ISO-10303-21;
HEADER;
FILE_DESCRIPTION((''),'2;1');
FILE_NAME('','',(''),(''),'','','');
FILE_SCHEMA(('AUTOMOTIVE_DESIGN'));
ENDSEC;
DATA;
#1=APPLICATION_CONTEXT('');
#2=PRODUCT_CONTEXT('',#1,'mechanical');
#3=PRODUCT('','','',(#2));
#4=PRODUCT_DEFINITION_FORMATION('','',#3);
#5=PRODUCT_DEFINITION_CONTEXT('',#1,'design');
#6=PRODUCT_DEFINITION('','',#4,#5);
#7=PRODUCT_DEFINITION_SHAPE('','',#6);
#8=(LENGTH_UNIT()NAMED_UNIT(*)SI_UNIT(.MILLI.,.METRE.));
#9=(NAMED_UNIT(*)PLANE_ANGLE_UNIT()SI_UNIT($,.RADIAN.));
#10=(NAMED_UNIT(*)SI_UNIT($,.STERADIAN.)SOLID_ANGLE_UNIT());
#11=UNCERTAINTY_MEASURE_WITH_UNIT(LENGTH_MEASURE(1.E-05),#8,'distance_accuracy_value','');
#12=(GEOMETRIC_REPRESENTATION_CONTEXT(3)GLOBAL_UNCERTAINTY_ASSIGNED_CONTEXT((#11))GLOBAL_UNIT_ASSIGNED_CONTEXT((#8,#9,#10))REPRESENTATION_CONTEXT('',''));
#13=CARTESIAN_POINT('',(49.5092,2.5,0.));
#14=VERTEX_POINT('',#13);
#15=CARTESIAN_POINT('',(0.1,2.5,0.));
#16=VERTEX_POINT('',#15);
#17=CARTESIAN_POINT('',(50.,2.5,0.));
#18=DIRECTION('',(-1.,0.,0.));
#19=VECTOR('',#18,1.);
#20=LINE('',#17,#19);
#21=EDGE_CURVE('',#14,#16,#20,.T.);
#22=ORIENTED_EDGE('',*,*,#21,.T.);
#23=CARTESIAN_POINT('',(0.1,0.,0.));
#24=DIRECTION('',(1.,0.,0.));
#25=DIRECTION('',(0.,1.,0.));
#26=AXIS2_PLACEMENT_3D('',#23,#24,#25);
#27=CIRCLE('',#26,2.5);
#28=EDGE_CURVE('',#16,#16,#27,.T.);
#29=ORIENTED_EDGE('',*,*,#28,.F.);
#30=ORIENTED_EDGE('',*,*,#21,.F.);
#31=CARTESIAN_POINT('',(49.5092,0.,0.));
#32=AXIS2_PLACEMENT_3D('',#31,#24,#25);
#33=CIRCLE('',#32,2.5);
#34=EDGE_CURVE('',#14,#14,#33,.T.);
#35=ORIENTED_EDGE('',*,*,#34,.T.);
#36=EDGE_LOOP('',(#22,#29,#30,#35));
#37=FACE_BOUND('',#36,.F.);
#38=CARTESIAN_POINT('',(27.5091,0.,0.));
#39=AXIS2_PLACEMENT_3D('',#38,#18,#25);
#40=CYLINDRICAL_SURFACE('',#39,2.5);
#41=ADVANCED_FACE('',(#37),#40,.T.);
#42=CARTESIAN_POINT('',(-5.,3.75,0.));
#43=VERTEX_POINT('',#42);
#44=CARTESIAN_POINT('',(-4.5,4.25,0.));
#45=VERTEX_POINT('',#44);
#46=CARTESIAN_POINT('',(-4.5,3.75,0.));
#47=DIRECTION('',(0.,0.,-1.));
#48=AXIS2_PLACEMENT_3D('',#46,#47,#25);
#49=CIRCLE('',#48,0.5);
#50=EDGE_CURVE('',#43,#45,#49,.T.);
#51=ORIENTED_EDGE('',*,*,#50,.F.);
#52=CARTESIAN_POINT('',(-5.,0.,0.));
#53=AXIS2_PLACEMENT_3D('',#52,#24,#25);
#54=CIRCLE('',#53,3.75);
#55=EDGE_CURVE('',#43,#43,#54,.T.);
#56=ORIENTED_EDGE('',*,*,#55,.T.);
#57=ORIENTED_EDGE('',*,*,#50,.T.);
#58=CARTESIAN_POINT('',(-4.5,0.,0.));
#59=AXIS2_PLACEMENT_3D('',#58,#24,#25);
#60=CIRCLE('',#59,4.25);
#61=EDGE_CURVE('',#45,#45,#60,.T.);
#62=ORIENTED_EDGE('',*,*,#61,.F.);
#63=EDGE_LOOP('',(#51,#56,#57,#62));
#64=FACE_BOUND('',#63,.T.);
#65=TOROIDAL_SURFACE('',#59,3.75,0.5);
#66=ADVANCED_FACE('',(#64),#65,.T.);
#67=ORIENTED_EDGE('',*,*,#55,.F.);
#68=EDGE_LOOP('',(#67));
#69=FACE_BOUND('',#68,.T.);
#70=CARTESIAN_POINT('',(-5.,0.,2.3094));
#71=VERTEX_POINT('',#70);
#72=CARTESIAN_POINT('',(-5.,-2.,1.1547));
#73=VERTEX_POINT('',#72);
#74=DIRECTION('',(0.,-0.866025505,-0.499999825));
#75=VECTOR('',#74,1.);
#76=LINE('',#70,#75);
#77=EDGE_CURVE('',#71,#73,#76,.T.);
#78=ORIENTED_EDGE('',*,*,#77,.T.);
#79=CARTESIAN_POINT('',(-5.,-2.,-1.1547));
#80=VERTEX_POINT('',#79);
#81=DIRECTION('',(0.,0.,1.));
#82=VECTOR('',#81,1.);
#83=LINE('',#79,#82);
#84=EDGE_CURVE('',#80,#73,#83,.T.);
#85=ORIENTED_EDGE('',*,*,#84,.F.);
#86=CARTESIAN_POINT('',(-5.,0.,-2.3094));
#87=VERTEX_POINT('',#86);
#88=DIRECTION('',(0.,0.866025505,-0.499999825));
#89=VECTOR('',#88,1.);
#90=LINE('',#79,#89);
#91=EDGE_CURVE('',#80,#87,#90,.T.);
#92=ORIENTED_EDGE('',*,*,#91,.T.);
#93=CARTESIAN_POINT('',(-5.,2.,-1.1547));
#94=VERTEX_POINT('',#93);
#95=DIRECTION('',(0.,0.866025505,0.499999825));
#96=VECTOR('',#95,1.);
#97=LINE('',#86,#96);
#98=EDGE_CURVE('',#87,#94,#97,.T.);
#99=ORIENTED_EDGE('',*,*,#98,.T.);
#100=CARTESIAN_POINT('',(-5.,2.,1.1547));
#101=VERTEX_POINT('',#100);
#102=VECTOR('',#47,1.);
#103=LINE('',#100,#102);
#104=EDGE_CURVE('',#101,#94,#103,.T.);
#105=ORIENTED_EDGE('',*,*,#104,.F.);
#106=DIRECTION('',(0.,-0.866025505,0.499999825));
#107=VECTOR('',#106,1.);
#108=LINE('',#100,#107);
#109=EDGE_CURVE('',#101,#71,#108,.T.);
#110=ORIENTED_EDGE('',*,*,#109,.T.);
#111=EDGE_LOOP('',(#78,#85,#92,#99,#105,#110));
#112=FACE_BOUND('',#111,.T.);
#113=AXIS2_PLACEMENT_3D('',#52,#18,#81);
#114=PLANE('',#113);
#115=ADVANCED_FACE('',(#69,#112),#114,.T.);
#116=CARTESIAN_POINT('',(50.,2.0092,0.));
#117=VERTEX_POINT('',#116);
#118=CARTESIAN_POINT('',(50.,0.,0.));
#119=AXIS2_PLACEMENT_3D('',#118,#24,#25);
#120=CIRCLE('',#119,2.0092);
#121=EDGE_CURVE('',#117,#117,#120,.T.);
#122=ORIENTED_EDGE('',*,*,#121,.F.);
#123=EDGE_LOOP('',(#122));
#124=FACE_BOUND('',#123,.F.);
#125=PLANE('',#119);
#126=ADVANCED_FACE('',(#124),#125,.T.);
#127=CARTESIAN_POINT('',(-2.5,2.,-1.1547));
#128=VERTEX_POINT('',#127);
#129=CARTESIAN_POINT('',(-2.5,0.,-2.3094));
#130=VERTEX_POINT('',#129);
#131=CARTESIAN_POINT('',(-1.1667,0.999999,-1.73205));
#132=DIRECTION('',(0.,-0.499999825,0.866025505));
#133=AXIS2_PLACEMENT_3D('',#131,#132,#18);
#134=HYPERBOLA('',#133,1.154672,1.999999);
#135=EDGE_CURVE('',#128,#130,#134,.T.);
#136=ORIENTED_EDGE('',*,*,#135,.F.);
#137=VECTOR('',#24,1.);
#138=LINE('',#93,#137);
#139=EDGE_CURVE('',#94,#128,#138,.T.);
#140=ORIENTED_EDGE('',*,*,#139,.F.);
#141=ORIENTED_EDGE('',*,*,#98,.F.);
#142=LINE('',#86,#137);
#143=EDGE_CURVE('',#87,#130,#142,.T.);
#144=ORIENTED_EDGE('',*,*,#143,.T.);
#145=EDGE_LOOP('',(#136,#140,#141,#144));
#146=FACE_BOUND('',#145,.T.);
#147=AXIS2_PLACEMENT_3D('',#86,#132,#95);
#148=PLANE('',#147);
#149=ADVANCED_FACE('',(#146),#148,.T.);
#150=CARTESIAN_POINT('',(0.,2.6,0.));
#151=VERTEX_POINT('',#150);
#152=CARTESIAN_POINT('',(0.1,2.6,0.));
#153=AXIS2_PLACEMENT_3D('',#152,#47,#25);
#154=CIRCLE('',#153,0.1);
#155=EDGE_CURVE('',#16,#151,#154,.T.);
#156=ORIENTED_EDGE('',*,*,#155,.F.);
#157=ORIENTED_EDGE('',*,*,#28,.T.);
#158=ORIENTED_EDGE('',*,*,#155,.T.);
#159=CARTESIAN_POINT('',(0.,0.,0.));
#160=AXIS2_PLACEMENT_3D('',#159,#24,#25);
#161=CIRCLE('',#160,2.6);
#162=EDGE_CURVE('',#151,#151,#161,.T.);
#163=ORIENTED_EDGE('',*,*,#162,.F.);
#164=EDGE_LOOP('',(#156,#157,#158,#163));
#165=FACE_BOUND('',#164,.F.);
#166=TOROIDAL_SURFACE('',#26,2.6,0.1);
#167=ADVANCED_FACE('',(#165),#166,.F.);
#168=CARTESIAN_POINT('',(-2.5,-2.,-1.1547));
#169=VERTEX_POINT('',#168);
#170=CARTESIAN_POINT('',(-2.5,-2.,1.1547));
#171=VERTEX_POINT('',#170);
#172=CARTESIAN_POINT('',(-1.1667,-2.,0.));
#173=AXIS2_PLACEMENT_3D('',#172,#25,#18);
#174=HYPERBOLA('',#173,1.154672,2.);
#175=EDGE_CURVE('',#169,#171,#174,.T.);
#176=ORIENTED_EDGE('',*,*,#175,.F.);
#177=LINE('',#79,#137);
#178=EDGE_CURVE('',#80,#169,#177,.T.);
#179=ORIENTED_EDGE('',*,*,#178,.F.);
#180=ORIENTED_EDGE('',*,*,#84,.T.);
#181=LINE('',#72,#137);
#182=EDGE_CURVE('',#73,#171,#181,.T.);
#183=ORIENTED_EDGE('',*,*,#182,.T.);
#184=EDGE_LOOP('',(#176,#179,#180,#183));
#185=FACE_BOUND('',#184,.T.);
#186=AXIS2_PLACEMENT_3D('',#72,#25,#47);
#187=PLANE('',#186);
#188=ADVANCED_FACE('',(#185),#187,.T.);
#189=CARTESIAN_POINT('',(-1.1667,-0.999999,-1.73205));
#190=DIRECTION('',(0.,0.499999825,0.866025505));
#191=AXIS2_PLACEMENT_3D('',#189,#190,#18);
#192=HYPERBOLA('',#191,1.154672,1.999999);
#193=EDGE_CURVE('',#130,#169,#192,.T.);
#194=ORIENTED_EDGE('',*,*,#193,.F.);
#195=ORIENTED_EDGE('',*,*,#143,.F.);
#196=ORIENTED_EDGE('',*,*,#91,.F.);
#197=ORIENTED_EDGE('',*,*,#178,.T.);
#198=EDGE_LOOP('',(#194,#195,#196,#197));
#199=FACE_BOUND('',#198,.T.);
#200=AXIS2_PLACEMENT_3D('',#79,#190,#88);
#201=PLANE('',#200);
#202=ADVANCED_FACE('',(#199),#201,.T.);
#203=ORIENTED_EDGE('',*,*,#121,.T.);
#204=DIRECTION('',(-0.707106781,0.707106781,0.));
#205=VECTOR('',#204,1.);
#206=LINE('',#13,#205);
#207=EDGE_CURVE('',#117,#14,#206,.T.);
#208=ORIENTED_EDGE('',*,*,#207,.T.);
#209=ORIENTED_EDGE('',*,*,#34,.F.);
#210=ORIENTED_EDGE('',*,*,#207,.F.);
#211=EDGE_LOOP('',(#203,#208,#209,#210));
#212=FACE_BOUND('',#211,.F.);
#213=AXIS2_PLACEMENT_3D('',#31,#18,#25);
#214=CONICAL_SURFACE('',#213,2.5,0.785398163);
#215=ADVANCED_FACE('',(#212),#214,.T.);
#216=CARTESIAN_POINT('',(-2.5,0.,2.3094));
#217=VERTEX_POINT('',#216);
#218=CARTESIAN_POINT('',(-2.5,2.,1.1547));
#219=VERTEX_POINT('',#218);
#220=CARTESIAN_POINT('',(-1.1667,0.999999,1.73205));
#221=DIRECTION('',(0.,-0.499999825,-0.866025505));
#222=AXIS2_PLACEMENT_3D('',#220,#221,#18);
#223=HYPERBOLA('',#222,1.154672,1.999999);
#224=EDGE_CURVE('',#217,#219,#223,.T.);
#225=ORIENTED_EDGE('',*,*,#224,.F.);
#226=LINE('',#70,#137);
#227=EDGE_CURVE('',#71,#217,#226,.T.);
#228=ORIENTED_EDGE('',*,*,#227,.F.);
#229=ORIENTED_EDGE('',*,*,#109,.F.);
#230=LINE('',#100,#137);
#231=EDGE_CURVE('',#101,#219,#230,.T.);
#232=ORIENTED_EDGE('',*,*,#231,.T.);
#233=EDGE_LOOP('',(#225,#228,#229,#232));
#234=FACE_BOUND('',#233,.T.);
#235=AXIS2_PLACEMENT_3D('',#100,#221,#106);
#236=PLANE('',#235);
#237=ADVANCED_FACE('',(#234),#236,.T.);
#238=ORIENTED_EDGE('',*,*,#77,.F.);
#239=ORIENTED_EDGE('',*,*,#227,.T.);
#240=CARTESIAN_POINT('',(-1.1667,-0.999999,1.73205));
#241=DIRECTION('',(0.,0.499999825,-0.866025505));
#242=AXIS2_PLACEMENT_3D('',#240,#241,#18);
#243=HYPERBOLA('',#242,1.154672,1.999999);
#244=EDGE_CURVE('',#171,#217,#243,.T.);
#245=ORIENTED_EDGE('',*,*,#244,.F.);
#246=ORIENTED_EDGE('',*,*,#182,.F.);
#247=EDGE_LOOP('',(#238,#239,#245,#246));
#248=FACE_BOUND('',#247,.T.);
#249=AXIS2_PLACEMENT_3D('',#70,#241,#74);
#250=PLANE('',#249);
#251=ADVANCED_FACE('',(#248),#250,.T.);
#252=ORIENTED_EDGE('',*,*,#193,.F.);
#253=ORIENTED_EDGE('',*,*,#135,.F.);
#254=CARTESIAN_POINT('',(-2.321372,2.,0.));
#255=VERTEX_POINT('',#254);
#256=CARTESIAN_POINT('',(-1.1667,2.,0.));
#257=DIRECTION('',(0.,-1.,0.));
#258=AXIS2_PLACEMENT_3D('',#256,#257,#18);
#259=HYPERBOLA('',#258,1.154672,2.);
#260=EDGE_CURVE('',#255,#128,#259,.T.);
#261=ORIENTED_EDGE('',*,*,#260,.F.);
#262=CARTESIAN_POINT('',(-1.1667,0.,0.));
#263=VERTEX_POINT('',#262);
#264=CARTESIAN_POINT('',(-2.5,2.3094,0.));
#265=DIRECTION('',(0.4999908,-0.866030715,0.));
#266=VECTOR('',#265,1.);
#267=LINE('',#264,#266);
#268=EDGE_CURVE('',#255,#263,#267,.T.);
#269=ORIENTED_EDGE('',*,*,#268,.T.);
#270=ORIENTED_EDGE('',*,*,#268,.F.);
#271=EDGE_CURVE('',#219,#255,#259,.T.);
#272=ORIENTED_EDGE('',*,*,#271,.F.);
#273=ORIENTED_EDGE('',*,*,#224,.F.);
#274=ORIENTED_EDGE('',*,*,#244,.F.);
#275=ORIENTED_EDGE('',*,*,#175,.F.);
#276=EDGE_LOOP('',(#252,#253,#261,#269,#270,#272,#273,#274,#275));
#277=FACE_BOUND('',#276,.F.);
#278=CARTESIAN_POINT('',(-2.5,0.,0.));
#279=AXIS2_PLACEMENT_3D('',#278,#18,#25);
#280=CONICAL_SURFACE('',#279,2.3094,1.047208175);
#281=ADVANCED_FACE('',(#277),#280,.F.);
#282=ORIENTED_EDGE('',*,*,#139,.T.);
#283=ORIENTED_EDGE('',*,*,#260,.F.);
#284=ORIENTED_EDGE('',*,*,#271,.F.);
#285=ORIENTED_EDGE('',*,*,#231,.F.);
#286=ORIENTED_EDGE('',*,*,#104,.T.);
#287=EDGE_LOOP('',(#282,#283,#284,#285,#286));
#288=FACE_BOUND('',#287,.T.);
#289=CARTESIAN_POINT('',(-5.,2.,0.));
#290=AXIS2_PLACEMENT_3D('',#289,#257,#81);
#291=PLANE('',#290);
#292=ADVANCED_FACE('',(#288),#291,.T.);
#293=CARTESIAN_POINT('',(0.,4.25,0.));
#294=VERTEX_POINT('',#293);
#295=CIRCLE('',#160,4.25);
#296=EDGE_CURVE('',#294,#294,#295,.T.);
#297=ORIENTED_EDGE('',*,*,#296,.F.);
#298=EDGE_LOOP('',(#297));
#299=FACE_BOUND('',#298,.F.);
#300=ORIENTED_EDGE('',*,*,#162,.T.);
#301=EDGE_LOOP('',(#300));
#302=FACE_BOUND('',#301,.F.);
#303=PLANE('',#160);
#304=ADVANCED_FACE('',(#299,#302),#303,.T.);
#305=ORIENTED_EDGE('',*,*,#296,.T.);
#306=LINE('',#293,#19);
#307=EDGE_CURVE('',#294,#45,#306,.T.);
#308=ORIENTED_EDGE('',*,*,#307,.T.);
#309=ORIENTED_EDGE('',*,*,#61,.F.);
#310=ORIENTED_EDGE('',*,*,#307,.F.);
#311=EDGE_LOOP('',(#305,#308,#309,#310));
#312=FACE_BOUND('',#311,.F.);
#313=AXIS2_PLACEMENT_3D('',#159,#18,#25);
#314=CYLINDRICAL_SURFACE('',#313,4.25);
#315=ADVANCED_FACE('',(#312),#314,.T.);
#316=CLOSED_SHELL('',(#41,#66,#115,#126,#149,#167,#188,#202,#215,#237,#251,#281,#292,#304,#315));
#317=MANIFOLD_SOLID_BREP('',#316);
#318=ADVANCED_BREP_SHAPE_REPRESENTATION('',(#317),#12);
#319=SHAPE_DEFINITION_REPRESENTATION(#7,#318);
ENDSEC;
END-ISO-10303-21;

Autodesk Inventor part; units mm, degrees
ref_plane "YZ Plane" through (0, 0, 0) normal (1, 0, 0) x (0, 1, 0)
ref_plane "XZ Plane" through (0, 0, 0) normal (0, 1, 0) x (-1, 0, 0)
sketch "Szkic1" plane through (0, 0, 0) normal (0, 0, 1) x (1, 0, 0)
  line L0 (-1.1667, 0) -> (50, 0)
  line L1 (50, 0) -> (50, 2.5)
  line L2 (50, 2.5) -> (28, 2.5)
  line L3 (28, 2.5) -> (27.5091, 2.5)
  line L4 (27.5091, 2.5) -> (0, 2.5)
  line L5 (0, 2.5) -> (0, 4.25)
  line L6 (0, 4.25) -> (-5, 4.25)
  line L7 (-5, 4.25) -> (-5, 2.3094)
  line L8 (-5, 2.3094) -> (-2.5, 2.3094)
  line L9 (-2.5, 2.3094) -> (-1.1667, 0)
  line L10 (-16, 0) -> (61, 0) projected
  line L11 (0, -0.85) -> (0, 5.1) projected
  line L12 (28, 2.5) -> (0, 2.5) construction
  dimension "d1" = 22
  dimension "d2" = 0.4909
  dimension "d3" = 5
  dimension "d4" = 2.5
  dimension "d5" = 60
  dimension "d6" = 5
  dimension "d7" = 5
  dimension "d8" = 4.6188
  dimension "d9" = 8.5
  dimension "d26" = 50
revolve "Bryła" add sketch "Szkic1" angle 360 about axis through (-1.1667, 0, 0) along (1, 0, 0)
sketch "Szkic2" plane through (-5, 0, 0) normal (-1, 0, 0) x (0, 0, 1)
  circle A0 centre (0, 0) radius 2.3094 projected
  line L0 (0, -5.95) -> (0, 5.95) projected
  line L1 (-5.95, 0) -> (5.95, 0) projected
  line L2 (2.3094, 0) -> (1.1547, -2)
  line L3 (1.1547, -2) -> (-1.1547, -2)
  line L4 (-1.1547, -2) -> (-2.3094, 0)
  line L5 (-2.3094, 0) -> (-1.1547, 2)
  line L6 (-1.1547, 2) -> (1.1547, 2)
  line L7 (1.1547, 2) -> (2.3094, 0)
extrude "Szczelina" add sketch "Szkic2" against normal up to next contours L7 A0 | A0 L2 | L6 L0 A0 | A0 L0 L3 | L0 L6 A0 | A0 L3 L0 | L4 A0 | A0 L5
fillet "Zaokrąglenie1" radius 0.5 1 edges at (-5, -4.25, 0)
thread "Gwint" size "M5x0.8" class "6g" standard "ISO Metric profile" length 22
chamfer "Faza1" distance 0.4908 distance2 0.4908 1 edges at (50, -2.5, 0) measured on face at (50, -0.1004, 0.8273)
ref_plane "Work Plane1" through (29, 0, 0) normal (0, -1, 0) x (1, 0, 0)
fillet "Fillet2" radius 0.1 1 edges at (0, -2.5, 0)
equation "\"d1\" = GEL"
equation "\"d3\" = KOH"
equation "\"d4\" = INTI"
equation "\"d6\" = GD"
equation "\"d7\" = BDM"
equation "\"d8\" = 1.1547 * SW"
equation "\"d9\" = KOD"
equation "\"d26\" = NLG"
equation "\"d30\" = R"
equation "\"d17\" = RR"
equation "\"d13\" = GEL"
equation "\"d15\" = -0.5 * SPD + 0.5 * GD"
equation "\"d16\" = GUL"
equation "\"GD\" = 5"
equation "\"NLG\" = 50"
equation "\"GEL\" = 22"
equation "\"KOD\" = 8.5"
equation "\"KOH\" = 5"
equation "\"INTI\" = 2.5"
equation "\"GAL\" = 0.61345 * PTC"
equation "\"GUL\" = 0.61345 * PTC"
equation "\"BDM\" = NND"
equation "\"SW\" = 4"
equation "\"RR\" = 0.5"
equation "\"SPD\" = NND - 1.2269 * PTC"
equation "\"R\" = 0.1"
equation "\"TOA\" = 30deg"
equation "\"GD1\" = THREADDIA - 1.2269 * PTC"
equation "\"THREADDIA\" = 5"
equation "\"FAWI\" = 45deg"
equation "\"PTC\" = 0.8"
equation "\"NND\" = 5"
equation "\"E0\" = 1.155 * SW"
properties part number "ISO 4762  - M5 x 50" material "Stal nierdzewna 440C"
